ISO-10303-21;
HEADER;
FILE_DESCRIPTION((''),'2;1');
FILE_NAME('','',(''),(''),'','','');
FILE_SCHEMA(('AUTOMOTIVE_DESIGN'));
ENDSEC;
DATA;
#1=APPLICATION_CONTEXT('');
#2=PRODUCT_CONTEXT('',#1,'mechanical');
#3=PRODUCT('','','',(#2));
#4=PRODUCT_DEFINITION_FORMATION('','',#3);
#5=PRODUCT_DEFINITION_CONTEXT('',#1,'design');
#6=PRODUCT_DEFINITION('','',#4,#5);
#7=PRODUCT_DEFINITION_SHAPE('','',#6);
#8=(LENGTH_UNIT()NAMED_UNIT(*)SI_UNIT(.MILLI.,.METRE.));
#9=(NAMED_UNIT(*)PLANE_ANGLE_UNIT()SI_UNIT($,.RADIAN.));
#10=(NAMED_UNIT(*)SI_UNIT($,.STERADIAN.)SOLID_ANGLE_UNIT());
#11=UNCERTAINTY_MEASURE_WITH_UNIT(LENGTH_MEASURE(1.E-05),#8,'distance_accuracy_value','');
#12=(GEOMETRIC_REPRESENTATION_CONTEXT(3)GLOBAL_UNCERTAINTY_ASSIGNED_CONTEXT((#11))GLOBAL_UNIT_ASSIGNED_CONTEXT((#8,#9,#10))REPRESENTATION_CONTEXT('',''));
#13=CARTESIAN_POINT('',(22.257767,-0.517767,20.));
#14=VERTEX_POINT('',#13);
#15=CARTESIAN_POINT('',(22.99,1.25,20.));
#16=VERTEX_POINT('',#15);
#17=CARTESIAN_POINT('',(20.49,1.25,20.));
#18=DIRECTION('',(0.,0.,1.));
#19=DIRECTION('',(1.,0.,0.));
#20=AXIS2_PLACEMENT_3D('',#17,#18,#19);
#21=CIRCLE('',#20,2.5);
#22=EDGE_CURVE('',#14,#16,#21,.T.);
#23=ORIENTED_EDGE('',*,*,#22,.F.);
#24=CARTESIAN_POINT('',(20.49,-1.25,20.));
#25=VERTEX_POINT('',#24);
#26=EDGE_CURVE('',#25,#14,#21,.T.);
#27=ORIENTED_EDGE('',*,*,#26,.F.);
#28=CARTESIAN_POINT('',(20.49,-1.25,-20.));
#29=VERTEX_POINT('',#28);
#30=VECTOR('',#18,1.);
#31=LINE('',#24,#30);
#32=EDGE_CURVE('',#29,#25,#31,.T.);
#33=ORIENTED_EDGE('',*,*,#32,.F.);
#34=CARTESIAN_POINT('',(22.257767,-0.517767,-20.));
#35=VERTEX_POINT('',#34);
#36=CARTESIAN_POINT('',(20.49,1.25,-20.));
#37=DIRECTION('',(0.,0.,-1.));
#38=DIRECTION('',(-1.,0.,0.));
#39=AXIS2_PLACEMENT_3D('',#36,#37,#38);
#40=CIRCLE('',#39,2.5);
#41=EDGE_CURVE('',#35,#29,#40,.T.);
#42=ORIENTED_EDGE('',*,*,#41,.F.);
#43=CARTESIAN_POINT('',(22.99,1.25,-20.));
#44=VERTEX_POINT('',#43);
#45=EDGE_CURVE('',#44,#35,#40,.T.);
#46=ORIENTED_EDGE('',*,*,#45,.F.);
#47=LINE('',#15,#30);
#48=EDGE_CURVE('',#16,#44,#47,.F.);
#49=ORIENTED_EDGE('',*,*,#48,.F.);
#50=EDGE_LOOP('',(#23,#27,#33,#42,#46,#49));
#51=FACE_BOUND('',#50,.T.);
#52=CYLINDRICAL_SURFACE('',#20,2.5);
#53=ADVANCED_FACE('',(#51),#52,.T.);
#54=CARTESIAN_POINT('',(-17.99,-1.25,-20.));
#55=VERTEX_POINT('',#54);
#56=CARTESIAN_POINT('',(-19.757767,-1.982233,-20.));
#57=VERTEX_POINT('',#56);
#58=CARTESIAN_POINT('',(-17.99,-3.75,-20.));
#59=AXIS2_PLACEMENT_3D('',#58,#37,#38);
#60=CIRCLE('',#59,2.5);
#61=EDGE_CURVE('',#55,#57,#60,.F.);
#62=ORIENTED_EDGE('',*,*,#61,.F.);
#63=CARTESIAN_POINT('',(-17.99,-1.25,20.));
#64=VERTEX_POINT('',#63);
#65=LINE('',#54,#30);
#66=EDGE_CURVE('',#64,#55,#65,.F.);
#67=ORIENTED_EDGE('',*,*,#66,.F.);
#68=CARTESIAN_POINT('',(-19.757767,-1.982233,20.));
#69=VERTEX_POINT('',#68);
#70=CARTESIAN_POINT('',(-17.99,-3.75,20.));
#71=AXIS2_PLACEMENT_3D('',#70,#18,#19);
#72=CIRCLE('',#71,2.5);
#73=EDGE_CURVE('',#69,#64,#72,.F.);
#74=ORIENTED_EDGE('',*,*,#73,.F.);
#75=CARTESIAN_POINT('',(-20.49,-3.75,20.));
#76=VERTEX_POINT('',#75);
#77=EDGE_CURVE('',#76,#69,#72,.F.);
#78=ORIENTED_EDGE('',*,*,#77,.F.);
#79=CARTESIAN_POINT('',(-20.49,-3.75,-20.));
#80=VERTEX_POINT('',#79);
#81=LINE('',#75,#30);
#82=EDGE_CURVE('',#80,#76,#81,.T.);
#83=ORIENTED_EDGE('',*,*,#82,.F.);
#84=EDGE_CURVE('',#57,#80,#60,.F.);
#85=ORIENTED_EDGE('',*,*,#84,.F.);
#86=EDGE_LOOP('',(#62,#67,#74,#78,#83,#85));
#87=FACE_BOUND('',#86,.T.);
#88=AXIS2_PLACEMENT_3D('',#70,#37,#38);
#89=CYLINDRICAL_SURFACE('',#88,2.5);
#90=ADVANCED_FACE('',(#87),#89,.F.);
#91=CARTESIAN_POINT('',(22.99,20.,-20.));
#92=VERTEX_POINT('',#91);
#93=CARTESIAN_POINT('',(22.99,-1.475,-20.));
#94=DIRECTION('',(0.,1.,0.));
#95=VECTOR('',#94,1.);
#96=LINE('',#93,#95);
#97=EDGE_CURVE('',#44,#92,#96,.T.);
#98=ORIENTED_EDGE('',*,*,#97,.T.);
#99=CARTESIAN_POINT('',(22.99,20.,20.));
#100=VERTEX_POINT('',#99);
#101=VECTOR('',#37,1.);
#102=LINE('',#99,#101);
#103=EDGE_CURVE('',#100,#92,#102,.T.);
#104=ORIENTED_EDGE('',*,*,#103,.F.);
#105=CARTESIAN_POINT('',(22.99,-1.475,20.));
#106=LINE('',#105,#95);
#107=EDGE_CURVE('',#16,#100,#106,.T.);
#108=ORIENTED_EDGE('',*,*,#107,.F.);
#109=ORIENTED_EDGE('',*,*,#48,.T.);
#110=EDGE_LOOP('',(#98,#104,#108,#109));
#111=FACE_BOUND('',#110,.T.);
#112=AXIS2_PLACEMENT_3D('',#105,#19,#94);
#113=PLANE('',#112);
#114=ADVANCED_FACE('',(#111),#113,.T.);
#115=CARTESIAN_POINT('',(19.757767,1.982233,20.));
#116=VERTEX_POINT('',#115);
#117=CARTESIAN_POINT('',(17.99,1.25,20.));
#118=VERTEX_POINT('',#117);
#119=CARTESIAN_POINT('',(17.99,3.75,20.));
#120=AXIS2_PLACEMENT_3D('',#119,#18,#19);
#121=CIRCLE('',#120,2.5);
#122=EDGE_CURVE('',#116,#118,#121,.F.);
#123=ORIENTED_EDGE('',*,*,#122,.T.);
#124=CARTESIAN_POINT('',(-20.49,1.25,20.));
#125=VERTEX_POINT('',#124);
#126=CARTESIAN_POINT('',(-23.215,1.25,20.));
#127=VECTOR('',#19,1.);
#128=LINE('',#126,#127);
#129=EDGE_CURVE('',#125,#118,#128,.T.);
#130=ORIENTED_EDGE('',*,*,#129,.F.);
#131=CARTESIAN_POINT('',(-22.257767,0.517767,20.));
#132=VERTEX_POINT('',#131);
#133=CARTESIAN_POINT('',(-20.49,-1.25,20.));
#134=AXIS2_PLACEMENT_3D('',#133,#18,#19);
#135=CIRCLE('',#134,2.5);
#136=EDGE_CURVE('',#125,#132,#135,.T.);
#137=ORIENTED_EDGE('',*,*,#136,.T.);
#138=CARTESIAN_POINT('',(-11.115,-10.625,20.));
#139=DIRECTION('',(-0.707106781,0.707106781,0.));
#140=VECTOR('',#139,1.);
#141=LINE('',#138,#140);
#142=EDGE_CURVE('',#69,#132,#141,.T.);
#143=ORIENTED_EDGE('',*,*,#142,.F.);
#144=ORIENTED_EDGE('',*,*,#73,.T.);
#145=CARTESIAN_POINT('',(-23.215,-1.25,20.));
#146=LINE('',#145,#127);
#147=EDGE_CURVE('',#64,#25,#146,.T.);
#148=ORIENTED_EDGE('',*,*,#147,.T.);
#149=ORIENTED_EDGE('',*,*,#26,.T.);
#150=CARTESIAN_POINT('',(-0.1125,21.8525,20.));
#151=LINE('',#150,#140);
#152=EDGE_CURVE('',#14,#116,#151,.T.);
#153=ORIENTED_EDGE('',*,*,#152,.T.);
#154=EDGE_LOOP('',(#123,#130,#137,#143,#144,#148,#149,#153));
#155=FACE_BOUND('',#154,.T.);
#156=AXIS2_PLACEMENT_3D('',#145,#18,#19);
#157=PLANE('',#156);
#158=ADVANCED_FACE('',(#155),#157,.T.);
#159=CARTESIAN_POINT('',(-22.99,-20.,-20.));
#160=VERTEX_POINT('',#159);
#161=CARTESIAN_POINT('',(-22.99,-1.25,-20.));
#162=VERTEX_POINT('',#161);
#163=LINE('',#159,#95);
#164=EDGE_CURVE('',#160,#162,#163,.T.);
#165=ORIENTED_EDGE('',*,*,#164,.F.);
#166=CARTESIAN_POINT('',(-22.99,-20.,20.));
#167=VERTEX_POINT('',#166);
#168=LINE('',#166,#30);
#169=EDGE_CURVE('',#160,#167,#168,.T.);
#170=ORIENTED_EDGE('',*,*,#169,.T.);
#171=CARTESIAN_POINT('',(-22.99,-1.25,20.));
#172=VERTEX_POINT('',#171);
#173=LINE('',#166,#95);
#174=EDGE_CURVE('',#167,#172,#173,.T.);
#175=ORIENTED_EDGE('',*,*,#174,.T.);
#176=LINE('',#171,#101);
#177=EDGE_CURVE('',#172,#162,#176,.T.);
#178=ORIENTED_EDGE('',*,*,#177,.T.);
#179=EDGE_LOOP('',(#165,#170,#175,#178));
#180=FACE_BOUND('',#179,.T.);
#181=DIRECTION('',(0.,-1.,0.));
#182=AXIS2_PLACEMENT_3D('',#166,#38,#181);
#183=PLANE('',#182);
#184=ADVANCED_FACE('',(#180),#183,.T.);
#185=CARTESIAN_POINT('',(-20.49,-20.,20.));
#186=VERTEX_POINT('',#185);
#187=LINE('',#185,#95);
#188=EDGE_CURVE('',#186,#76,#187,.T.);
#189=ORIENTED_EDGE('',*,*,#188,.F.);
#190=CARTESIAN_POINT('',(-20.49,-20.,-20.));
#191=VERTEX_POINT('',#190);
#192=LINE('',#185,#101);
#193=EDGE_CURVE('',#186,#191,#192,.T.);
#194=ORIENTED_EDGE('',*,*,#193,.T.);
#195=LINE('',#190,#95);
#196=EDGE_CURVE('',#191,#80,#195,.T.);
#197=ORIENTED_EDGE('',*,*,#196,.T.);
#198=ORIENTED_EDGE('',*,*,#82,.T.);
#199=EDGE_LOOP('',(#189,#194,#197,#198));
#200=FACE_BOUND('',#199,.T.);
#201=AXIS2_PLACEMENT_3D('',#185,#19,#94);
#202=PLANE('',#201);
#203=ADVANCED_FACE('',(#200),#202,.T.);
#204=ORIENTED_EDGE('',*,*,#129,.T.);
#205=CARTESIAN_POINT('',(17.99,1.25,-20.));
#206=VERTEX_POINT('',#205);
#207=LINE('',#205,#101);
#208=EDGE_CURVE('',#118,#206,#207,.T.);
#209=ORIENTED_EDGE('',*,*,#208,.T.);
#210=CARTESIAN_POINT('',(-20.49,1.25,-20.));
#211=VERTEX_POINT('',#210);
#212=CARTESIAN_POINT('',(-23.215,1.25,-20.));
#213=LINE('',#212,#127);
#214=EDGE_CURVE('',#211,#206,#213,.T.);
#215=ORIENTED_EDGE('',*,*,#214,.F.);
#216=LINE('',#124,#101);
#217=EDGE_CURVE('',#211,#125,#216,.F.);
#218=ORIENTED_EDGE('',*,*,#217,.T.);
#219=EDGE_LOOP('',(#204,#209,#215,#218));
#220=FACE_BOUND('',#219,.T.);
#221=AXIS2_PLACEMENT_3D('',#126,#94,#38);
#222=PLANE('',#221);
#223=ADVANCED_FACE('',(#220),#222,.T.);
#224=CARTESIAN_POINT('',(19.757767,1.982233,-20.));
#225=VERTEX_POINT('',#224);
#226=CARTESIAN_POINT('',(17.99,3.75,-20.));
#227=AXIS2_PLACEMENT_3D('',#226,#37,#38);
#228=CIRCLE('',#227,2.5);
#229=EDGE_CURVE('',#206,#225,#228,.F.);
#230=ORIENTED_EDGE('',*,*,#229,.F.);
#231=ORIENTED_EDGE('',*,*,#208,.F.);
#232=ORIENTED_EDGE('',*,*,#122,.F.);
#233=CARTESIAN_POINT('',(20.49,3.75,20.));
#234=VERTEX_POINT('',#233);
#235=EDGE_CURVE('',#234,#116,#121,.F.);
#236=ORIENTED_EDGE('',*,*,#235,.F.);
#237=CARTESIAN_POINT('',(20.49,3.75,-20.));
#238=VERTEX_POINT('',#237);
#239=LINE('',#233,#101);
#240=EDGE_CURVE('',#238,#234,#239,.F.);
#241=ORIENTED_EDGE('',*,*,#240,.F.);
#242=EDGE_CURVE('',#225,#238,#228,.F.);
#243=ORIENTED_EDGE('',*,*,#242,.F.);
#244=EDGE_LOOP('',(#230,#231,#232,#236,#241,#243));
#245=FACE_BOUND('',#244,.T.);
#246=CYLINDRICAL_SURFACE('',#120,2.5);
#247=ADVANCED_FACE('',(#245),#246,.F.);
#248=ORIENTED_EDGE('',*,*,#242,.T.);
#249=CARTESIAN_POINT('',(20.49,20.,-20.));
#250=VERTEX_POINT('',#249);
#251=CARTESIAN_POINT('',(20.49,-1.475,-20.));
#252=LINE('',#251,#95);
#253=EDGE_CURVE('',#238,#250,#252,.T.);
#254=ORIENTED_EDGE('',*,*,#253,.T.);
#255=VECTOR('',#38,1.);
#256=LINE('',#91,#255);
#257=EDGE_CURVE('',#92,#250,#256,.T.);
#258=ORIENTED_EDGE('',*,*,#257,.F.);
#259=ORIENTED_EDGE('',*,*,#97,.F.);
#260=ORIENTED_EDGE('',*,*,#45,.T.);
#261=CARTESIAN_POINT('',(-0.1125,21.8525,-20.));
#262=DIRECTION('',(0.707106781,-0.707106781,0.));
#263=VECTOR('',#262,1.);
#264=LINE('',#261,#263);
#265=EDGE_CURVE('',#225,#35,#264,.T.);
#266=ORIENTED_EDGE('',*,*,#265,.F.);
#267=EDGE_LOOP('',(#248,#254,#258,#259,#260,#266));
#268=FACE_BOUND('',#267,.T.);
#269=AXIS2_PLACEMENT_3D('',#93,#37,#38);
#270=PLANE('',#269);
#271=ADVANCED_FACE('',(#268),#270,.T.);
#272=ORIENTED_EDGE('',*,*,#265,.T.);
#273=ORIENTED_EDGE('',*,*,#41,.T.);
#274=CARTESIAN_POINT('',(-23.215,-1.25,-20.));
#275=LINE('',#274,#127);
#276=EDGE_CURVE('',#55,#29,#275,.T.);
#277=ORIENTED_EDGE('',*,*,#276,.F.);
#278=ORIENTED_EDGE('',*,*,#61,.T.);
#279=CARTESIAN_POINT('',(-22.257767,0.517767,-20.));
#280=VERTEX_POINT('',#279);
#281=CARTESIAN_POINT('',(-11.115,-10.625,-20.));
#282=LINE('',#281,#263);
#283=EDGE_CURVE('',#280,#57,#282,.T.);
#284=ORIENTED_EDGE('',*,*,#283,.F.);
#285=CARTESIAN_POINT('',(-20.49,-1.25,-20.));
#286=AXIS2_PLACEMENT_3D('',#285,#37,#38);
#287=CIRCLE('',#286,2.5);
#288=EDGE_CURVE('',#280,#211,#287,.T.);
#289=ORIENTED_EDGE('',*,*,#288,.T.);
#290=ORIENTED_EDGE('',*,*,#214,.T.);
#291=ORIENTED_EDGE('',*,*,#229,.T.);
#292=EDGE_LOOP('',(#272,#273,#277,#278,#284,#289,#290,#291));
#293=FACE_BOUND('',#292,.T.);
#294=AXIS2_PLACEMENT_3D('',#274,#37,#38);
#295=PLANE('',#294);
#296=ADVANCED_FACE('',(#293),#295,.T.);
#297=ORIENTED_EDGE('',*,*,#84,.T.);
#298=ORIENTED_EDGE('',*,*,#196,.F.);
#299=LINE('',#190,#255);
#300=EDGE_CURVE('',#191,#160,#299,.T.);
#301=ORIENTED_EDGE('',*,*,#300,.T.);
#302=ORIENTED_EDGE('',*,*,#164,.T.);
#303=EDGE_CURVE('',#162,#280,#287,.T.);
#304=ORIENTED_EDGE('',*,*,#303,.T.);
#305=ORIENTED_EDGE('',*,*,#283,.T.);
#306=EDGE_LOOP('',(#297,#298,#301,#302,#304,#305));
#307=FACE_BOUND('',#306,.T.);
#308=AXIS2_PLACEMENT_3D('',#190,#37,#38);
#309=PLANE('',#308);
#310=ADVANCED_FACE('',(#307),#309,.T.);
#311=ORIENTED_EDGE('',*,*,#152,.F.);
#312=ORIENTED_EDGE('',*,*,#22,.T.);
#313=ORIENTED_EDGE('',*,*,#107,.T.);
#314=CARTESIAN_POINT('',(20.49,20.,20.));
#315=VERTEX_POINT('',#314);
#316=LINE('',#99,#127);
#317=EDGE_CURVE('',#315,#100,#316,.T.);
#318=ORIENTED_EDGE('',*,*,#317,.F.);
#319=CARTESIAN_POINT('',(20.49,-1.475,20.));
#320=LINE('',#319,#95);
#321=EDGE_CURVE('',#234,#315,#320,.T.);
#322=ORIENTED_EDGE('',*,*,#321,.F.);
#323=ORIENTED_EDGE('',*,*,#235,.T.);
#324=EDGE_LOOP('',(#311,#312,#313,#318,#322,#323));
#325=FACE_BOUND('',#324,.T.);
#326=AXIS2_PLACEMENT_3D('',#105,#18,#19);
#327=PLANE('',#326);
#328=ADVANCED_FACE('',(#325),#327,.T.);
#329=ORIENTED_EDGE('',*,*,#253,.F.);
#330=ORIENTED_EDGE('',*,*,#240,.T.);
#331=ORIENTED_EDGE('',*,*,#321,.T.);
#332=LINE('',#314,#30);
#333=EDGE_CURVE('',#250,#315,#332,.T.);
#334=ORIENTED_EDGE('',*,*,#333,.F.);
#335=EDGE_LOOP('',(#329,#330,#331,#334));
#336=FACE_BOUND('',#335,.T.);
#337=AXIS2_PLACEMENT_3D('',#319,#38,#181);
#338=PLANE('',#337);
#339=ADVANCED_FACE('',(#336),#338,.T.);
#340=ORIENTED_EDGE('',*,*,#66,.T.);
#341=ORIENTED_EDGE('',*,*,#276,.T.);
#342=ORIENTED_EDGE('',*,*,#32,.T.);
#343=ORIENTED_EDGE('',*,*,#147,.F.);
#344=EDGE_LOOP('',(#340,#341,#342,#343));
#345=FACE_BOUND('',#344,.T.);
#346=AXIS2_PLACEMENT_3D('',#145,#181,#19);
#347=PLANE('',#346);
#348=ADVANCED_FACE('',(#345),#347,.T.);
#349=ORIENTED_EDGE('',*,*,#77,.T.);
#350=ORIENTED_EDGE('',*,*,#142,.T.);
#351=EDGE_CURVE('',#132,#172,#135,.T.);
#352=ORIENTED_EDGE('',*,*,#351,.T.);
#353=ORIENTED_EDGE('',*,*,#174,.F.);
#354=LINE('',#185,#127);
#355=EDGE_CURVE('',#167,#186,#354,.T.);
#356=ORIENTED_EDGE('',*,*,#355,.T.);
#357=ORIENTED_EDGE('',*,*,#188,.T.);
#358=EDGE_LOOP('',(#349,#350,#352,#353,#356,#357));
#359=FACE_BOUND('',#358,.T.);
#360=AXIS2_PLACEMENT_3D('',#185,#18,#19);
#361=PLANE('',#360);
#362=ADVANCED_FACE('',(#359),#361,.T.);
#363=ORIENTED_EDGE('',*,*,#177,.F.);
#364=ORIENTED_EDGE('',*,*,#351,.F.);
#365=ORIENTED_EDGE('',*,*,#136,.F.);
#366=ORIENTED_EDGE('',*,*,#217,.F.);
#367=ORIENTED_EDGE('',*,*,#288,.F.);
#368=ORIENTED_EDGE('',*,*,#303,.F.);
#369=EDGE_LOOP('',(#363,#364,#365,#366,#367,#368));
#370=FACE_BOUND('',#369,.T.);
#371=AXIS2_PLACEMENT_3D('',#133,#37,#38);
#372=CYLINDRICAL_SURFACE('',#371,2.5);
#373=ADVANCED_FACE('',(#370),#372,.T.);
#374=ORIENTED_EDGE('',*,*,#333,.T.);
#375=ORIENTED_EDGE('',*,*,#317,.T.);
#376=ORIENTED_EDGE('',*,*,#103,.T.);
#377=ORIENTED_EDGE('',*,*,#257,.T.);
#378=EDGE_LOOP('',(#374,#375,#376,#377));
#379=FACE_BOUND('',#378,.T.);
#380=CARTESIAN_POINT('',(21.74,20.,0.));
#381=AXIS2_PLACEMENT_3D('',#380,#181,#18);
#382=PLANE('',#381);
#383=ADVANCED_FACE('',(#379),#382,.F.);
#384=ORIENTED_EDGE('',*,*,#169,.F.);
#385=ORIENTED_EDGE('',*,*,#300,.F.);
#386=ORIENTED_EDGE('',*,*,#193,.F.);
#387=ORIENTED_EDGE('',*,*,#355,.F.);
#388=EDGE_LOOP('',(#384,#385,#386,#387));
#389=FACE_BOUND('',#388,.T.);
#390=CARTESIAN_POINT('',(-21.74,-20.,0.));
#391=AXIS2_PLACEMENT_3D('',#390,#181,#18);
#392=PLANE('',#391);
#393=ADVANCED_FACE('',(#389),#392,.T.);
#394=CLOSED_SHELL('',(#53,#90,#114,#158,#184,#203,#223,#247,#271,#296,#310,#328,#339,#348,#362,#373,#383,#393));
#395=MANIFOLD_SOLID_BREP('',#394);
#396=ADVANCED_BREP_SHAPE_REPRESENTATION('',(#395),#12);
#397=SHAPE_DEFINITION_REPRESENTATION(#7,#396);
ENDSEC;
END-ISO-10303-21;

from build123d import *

# Parameters (mm, degrees)
SKETCH_2_W = 40
SKETCH_2_H = 2.5
FILLET_1_R = 2.5
FILLET_2_R = 2.5
FILLET_3_R = 2.5


with BuildPart() as part:
    # 扫描1: sweep along a path in 草图3
    with BuildLine(Plane.XY) as sweep_1_path:
        Line((21.74, 20), (21.74, 0))
        Line((21.74, 0), (0, 0))
        Line((0, 0), (-21.74, 0))
        Line((-21.74, 0), (-21.74, -20))
    # 草图2 → 扫描1 (sweep)
    with BuildSketch(Plane(origin=(0, 0, 0), x_dir=(0, 0, -1), z_dir=(1, 0, 0))):
        Rectangle(SKETCH_2_W, SKETCH_2_H)
    sweep(path=sweep_1_path.line, transition=Transition.RIGHT)

    # 圆角1
    fillet_1_edges = [part.edges().sort_by_distance(p)[0] for p in [
        (-22.99, 1.25, 0),
    ]]
    fillet(fillet_1_edges, radius=FILLET_1_R)

    # 圆角2
    fillet_2_edges = [part.edges().sort_by_distance(p)[0] for p in [
        (22.99, -1.25, 0),
    ]]
    fillet(fillet_2_edges, radius=FILLET_2_R)

    # 圆角3
    fillet_3_edges = [part.edges().sort_by_distance(p)[0] for p in [
        (-20.49, -1.25, 0),
        (20.49, 1.25, 0),
    ]]
    fillet(fillet_3_edges, radius=FILLET_3_R)


solid = part.part
